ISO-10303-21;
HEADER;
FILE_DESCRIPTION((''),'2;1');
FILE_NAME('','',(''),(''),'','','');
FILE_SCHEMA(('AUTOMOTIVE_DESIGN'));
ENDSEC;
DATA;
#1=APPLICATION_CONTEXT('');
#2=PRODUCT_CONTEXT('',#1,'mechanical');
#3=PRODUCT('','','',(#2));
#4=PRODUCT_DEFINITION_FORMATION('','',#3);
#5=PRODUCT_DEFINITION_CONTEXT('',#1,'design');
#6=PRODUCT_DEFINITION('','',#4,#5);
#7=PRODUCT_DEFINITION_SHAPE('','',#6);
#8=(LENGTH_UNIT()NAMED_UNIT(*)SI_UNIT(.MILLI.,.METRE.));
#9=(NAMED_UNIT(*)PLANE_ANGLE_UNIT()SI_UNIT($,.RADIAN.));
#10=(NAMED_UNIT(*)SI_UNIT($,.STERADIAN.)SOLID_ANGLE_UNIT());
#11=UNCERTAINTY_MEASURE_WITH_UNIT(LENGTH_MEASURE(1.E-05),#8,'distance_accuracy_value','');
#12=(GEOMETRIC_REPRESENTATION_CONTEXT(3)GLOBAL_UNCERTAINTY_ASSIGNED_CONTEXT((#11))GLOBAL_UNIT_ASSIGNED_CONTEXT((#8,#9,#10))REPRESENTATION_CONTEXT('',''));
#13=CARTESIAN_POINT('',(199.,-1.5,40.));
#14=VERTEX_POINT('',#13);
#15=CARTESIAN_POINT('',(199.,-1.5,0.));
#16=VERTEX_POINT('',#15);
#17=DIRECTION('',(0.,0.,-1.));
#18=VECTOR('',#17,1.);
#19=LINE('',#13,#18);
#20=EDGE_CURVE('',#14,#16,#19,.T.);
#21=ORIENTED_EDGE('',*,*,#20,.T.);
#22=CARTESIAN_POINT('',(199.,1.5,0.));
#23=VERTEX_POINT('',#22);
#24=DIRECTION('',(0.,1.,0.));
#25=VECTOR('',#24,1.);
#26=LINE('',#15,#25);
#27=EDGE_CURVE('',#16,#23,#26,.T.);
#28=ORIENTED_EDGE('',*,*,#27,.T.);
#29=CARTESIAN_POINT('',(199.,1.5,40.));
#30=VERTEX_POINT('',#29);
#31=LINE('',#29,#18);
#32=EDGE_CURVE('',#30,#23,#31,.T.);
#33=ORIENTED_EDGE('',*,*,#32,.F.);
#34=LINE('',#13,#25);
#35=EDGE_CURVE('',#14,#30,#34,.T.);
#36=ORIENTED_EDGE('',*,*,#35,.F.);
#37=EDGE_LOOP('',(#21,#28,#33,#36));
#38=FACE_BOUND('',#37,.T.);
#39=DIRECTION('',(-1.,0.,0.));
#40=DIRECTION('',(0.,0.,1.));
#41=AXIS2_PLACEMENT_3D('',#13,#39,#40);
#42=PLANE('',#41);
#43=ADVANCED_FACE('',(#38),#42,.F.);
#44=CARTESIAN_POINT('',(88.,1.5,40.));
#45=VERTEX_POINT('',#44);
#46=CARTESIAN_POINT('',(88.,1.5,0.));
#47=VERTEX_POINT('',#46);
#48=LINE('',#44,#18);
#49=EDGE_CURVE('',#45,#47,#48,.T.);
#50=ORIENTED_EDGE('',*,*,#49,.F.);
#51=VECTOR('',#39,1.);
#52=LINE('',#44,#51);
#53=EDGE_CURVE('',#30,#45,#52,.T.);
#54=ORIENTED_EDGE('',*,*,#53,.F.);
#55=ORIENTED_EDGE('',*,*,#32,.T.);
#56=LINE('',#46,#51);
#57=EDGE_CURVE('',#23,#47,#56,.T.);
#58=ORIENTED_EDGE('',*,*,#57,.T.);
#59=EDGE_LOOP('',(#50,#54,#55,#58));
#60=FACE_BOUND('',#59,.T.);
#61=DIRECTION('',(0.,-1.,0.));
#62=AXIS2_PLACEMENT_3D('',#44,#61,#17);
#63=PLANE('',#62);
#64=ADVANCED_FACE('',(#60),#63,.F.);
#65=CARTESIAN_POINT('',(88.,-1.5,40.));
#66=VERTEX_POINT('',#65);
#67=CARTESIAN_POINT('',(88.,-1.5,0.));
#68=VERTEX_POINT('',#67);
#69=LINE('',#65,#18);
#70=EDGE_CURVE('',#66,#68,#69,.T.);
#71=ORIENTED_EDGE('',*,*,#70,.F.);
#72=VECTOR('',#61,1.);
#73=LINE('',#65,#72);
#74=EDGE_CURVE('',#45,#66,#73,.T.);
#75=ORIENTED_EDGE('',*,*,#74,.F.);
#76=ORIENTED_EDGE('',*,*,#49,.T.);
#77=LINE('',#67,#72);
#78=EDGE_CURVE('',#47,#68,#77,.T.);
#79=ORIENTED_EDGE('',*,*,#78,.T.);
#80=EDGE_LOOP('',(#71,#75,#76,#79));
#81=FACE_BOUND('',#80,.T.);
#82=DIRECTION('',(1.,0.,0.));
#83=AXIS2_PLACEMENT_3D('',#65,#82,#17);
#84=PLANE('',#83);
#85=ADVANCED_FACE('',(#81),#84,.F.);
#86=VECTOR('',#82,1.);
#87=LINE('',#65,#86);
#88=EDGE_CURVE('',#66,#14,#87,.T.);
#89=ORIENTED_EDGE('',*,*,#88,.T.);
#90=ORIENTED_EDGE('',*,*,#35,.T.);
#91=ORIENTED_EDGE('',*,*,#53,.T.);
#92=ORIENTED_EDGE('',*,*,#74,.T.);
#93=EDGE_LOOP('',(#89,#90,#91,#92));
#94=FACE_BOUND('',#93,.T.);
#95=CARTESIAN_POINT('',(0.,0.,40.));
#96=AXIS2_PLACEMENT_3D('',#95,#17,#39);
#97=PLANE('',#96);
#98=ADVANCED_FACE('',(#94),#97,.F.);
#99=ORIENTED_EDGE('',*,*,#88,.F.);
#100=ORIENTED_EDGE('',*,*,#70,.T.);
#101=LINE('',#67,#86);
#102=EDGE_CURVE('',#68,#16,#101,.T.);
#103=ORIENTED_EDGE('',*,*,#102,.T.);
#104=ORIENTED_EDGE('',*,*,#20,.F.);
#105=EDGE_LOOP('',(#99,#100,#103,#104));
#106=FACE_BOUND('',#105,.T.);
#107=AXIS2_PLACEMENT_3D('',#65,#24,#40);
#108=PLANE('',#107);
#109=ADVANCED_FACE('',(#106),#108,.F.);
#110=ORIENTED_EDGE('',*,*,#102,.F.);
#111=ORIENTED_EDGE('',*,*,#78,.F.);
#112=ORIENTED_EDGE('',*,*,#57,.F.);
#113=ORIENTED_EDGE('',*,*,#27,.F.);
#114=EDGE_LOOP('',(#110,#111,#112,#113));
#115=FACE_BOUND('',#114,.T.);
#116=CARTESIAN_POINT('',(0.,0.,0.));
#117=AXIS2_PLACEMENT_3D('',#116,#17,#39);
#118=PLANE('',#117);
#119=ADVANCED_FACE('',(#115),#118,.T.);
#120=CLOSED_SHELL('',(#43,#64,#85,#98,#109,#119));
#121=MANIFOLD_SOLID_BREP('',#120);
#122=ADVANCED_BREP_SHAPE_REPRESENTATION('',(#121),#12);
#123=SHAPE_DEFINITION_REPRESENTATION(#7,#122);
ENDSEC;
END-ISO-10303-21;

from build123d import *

# Parameters (mm, degrees)
SKETCH1_W   = 111
SKETCH1_H   = 3
PLATE_DEPTH = 40


with BuildPart() as part:
    # Sketch1 → Plate (new body)
    with BuildSketch(Plane.XY):
        with Locations((143.5, 0)):
            Rectangle(SKETCH1_W, SKETCH1_H)
    extrude(amount=PLATE_DEPTH)


solid = part.part
